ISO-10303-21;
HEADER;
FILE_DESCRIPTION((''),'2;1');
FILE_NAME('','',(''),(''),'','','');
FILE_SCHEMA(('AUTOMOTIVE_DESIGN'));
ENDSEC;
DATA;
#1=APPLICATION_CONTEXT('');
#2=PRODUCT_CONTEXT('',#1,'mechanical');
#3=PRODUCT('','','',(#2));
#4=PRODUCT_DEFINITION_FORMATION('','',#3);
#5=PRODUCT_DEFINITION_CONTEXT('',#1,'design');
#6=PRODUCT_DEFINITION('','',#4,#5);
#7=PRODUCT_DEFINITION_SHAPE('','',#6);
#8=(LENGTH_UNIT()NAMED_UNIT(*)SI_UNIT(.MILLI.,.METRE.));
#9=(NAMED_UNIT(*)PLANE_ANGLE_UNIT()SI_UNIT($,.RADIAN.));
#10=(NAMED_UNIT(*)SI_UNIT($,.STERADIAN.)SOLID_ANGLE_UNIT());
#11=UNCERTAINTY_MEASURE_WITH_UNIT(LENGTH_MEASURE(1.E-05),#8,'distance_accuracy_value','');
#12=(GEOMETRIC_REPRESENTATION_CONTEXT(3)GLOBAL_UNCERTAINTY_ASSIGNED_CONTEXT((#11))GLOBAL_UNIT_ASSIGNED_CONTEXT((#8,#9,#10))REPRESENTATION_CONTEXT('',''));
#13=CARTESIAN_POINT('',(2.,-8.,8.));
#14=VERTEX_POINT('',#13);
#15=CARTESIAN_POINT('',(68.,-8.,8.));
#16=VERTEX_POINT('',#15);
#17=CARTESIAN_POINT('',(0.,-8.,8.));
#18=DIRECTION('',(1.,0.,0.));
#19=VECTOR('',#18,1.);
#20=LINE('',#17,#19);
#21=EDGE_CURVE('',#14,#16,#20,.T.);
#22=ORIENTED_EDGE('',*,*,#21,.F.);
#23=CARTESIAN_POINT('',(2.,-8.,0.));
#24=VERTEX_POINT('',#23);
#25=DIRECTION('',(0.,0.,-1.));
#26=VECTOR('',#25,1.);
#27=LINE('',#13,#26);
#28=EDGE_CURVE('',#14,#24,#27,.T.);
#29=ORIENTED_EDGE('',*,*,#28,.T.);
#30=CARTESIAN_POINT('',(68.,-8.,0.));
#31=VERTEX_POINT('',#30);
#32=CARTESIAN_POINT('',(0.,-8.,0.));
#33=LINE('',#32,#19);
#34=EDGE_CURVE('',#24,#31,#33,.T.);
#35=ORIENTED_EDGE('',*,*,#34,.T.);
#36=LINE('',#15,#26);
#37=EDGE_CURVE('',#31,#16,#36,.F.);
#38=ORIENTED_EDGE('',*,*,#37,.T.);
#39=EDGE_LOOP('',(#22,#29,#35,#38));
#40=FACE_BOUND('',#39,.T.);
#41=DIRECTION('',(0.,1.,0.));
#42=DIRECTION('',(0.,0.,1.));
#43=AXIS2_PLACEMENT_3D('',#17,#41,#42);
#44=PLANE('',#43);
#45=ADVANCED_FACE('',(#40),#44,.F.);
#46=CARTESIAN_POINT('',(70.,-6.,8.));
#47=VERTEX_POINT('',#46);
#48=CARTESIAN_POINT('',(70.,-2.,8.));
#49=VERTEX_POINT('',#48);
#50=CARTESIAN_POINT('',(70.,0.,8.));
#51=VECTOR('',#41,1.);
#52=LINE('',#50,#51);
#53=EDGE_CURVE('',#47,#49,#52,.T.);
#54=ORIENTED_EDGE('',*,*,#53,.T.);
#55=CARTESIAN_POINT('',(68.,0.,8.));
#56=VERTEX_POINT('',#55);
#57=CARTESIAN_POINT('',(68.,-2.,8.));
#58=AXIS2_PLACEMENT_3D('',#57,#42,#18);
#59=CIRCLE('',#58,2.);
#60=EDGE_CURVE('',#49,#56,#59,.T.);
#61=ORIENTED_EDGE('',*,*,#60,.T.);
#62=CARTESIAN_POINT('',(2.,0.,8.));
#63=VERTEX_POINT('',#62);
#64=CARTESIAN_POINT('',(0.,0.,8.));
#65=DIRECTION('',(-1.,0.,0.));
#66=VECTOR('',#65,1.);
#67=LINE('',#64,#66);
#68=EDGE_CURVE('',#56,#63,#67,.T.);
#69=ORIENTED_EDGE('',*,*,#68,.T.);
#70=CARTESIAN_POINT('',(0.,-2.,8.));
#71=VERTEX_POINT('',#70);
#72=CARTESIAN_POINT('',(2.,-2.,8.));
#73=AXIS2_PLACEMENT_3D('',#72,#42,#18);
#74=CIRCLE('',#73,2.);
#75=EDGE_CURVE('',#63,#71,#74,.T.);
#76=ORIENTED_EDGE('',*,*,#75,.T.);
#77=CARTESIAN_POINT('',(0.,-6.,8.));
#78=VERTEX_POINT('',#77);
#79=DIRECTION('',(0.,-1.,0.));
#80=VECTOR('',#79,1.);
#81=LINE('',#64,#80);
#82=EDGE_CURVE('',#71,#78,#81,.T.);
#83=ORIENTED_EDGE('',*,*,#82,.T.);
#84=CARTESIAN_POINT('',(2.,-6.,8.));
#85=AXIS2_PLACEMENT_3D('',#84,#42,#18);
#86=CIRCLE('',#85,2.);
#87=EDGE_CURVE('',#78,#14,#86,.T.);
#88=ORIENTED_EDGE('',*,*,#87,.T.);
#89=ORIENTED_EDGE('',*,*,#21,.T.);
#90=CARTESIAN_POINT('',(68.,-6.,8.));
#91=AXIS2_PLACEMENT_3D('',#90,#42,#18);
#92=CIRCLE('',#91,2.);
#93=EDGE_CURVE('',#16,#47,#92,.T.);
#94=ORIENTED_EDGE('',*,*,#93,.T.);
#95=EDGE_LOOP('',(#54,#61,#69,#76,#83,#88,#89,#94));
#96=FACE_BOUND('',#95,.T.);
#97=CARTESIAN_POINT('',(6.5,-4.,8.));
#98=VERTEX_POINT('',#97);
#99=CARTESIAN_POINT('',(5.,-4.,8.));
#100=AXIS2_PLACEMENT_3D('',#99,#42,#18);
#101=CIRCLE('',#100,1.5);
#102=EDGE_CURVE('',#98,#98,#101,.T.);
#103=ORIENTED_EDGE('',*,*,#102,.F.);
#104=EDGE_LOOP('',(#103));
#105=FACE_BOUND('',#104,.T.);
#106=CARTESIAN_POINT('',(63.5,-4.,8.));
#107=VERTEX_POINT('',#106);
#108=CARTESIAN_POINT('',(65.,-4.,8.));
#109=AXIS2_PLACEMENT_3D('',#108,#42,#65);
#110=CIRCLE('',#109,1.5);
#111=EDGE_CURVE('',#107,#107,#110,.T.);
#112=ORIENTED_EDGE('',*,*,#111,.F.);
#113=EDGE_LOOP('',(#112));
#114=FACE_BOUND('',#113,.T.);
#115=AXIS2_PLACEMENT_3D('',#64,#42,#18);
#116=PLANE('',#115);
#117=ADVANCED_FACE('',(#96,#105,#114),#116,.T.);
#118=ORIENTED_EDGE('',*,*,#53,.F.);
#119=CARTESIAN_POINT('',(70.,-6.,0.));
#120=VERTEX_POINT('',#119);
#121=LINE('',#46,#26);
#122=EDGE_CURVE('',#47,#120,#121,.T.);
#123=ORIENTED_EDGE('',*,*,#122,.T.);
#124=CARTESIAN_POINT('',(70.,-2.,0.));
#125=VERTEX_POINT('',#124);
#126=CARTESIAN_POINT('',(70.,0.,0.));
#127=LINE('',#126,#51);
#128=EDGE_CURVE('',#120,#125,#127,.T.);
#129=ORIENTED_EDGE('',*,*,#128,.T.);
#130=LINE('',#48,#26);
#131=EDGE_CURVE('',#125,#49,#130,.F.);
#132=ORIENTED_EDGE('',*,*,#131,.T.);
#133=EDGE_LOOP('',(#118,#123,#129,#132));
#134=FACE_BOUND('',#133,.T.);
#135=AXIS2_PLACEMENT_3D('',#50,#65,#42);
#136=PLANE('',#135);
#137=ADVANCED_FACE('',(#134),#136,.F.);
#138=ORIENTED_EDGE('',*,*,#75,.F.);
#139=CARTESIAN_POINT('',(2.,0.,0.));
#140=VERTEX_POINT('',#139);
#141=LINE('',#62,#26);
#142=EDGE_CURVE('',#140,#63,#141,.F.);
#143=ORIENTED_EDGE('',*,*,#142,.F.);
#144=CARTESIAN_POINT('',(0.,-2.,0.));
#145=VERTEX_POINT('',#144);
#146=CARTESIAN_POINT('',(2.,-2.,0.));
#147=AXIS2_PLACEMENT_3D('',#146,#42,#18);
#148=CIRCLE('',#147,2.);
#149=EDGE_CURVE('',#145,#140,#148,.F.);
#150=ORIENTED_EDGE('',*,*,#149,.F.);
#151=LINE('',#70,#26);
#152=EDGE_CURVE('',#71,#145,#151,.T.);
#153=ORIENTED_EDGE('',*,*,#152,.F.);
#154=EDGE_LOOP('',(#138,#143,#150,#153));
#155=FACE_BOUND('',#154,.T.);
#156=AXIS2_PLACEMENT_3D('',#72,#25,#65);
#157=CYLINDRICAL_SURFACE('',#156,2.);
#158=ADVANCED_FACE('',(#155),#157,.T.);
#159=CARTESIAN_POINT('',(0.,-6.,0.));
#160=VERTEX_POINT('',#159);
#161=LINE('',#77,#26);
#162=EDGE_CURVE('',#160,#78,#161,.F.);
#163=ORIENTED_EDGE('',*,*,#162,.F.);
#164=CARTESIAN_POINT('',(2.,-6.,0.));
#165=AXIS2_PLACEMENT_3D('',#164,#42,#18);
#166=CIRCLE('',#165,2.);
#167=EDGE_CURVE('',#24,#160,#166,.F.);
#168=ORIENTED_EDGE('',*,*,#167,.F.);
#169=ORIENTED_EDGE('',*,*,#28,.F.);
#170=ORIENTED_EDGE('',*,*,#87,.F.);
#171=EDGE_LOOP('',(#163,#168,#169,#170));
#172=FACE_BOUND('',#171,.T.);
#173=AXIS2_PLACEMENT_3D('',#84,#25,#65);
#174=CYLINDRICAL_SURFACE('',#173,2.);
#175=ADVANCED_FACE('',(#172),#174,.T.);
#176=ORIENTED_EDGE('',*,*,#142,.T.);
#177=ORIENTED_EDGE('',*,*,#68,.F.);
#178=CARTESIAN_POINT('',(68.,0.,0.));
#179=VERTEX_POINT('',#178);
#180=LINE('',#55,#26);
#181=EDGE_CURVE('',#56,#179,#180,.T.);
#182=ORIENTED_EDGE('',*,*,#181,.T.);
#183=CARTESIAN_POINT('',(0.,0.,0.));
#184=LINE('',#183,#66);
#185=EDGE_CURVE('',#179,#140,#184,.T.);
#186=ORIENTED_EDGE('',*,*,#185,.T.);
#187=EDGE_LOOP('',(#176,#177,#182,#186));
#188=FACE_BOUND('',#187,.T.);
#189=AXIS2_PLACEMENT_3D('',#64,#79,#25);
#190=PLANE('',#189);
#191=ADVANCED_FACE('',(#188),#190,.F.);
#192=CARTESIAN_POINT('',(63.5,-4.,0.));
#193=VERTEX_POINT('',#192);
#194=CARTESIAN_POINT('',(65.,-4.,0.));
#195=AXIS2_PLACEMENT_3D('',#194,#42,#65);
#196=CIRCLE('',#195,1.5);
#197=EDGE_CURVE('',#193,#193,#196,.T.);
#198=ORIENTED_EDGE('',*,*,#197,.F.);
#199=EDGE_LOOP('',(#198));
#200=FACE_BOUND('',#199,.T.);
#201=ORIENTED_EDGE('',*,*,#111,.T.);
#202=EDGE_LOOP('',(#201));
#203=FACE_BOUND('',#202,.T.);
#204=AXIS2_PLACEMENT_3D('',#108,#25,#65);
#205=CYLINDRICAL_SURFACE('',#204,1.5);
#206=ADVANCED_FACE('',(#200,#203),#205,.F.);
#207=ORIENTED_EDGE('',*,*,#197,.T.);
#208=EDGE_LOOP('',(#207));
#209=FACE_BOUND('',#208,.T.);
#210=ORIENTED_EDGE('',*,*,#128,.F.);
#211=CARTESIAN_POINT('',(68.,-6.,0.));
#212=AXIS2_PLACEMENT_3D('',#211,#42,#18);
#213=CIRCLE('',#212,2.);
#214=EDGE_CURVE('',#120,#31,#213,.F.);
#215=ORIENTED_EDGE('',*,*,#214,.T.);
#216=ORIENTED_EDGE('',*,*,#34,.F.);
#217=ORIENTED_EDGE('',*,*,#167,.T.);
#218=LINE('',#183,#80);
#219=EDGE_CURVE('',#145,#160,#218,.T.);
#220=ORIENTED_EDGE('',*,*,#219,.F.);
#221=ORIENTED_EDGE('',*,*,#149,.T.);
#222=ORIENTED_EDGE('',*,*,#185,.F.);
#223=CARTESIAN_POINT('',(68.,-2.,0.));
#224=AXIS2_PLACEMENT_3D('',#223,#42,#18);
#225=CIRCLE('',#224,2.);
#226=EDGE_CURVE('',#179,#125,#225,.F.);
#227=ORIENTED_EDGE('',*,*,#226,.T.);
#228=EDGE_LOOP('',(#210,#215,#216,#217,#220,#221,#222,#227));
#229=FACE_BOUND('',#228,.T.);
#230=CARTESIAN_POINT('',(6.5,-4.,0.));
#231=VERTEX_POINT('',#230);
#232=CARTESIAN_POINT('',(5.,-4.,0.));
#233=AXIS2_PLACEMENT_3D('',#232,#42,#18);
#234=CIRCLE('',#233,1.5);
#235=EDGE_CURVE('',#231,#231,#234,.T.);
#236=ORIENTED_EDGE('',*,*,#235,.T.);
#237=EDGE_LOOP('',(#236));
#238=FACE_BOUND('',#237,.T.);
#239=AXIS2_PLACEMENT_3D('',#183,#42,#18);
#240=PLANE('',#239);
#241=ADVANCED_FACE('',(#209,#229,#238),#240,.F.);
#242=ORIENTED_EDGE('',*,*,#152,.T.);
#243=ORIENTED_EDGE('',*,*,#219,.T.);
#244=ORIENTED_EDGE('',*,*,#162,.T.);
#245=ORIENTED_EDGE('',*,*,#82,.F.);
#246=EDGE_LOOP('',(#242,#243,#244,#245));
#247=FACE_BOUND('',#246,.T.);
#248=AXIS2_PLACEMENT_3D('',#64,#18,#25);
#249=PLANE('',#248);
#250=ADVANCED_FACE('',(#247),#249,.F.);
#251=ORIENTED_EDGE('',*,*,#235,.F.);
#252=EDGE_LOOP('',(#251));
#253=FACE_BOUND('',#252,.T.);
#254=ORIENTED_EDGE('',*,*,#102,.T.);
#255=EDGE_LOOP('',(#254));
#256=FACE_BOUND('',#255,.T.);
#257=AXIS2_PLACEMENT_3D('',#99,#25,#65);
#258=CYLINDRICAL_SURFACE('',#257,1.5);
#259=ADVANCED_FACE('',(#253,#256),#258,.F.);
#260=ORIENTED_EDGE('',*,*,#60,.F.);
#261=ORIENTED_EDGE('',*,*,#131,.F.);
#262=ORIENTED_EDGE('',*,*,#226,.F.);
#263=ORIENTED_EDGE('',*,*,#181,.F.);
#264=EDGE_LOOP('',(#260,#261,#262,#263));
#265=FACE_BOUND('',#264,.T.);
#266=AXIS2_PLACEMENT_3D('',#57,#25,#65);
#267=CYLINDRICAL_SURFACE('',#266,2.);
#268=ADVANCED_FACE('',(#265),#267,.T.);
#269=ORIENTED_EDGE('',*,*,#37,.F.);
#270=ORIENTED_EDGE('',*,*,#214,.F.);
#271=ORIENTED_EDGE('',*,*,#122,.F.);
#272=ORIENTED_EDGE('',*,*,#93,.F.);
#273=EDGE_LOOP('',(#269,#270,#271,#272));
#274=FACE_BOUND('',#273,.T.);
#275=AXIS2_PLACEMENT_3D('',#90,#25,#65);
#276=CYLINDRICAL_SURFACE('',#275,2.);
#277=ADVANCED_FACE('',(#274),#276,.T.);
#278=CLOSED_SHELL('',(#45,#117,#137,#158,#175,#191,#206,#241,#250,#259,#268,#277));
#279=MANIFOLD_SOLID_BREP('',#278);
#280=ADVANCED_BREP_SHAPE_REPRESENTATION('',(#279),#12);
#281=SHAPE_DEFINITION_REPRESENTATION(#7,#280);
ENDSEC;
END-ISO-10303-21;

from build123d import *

# Parameters (mm, degrees)
SKETCH_1_W      = 70
SKETCH_1_H      = 8
SKETCH_1_R      = 1.5
EXTRUDE_1_DEPTH = 8
FILLET_1_R      = 2


with BuildPart() as part:
    # 草图1 → 凸台-拉伸1 (new body)
    with BuildSketch(Plane.XY):
        with Locations((35, -4)):
            Rectangle(SKETCH_1_W, SKETCH_1_H)
        with Locations((5, -4)):
            Circle(SKETCH_1_R, mode=Mode.SUBTRACT)
        with Locations(Location((65, -4, 0), (0, 0, 180))):
            Circle(SKETCH_1_R, mode=Mode.SUBTRACT)
    extrude(amount=EXTRUDE_1_DEPTH)

    # 圆角1
    fillet_1_edges = [part.edges().sort_by_distance(p)[0] for p in [
        (0, 0, 4),
        (70, 0, 4),
        (70, -8, 4),
        (0, -8, 4),
    ]]
    fillet(fillet_1_edges, radius=FILLET_1_R)


solid = part.part
